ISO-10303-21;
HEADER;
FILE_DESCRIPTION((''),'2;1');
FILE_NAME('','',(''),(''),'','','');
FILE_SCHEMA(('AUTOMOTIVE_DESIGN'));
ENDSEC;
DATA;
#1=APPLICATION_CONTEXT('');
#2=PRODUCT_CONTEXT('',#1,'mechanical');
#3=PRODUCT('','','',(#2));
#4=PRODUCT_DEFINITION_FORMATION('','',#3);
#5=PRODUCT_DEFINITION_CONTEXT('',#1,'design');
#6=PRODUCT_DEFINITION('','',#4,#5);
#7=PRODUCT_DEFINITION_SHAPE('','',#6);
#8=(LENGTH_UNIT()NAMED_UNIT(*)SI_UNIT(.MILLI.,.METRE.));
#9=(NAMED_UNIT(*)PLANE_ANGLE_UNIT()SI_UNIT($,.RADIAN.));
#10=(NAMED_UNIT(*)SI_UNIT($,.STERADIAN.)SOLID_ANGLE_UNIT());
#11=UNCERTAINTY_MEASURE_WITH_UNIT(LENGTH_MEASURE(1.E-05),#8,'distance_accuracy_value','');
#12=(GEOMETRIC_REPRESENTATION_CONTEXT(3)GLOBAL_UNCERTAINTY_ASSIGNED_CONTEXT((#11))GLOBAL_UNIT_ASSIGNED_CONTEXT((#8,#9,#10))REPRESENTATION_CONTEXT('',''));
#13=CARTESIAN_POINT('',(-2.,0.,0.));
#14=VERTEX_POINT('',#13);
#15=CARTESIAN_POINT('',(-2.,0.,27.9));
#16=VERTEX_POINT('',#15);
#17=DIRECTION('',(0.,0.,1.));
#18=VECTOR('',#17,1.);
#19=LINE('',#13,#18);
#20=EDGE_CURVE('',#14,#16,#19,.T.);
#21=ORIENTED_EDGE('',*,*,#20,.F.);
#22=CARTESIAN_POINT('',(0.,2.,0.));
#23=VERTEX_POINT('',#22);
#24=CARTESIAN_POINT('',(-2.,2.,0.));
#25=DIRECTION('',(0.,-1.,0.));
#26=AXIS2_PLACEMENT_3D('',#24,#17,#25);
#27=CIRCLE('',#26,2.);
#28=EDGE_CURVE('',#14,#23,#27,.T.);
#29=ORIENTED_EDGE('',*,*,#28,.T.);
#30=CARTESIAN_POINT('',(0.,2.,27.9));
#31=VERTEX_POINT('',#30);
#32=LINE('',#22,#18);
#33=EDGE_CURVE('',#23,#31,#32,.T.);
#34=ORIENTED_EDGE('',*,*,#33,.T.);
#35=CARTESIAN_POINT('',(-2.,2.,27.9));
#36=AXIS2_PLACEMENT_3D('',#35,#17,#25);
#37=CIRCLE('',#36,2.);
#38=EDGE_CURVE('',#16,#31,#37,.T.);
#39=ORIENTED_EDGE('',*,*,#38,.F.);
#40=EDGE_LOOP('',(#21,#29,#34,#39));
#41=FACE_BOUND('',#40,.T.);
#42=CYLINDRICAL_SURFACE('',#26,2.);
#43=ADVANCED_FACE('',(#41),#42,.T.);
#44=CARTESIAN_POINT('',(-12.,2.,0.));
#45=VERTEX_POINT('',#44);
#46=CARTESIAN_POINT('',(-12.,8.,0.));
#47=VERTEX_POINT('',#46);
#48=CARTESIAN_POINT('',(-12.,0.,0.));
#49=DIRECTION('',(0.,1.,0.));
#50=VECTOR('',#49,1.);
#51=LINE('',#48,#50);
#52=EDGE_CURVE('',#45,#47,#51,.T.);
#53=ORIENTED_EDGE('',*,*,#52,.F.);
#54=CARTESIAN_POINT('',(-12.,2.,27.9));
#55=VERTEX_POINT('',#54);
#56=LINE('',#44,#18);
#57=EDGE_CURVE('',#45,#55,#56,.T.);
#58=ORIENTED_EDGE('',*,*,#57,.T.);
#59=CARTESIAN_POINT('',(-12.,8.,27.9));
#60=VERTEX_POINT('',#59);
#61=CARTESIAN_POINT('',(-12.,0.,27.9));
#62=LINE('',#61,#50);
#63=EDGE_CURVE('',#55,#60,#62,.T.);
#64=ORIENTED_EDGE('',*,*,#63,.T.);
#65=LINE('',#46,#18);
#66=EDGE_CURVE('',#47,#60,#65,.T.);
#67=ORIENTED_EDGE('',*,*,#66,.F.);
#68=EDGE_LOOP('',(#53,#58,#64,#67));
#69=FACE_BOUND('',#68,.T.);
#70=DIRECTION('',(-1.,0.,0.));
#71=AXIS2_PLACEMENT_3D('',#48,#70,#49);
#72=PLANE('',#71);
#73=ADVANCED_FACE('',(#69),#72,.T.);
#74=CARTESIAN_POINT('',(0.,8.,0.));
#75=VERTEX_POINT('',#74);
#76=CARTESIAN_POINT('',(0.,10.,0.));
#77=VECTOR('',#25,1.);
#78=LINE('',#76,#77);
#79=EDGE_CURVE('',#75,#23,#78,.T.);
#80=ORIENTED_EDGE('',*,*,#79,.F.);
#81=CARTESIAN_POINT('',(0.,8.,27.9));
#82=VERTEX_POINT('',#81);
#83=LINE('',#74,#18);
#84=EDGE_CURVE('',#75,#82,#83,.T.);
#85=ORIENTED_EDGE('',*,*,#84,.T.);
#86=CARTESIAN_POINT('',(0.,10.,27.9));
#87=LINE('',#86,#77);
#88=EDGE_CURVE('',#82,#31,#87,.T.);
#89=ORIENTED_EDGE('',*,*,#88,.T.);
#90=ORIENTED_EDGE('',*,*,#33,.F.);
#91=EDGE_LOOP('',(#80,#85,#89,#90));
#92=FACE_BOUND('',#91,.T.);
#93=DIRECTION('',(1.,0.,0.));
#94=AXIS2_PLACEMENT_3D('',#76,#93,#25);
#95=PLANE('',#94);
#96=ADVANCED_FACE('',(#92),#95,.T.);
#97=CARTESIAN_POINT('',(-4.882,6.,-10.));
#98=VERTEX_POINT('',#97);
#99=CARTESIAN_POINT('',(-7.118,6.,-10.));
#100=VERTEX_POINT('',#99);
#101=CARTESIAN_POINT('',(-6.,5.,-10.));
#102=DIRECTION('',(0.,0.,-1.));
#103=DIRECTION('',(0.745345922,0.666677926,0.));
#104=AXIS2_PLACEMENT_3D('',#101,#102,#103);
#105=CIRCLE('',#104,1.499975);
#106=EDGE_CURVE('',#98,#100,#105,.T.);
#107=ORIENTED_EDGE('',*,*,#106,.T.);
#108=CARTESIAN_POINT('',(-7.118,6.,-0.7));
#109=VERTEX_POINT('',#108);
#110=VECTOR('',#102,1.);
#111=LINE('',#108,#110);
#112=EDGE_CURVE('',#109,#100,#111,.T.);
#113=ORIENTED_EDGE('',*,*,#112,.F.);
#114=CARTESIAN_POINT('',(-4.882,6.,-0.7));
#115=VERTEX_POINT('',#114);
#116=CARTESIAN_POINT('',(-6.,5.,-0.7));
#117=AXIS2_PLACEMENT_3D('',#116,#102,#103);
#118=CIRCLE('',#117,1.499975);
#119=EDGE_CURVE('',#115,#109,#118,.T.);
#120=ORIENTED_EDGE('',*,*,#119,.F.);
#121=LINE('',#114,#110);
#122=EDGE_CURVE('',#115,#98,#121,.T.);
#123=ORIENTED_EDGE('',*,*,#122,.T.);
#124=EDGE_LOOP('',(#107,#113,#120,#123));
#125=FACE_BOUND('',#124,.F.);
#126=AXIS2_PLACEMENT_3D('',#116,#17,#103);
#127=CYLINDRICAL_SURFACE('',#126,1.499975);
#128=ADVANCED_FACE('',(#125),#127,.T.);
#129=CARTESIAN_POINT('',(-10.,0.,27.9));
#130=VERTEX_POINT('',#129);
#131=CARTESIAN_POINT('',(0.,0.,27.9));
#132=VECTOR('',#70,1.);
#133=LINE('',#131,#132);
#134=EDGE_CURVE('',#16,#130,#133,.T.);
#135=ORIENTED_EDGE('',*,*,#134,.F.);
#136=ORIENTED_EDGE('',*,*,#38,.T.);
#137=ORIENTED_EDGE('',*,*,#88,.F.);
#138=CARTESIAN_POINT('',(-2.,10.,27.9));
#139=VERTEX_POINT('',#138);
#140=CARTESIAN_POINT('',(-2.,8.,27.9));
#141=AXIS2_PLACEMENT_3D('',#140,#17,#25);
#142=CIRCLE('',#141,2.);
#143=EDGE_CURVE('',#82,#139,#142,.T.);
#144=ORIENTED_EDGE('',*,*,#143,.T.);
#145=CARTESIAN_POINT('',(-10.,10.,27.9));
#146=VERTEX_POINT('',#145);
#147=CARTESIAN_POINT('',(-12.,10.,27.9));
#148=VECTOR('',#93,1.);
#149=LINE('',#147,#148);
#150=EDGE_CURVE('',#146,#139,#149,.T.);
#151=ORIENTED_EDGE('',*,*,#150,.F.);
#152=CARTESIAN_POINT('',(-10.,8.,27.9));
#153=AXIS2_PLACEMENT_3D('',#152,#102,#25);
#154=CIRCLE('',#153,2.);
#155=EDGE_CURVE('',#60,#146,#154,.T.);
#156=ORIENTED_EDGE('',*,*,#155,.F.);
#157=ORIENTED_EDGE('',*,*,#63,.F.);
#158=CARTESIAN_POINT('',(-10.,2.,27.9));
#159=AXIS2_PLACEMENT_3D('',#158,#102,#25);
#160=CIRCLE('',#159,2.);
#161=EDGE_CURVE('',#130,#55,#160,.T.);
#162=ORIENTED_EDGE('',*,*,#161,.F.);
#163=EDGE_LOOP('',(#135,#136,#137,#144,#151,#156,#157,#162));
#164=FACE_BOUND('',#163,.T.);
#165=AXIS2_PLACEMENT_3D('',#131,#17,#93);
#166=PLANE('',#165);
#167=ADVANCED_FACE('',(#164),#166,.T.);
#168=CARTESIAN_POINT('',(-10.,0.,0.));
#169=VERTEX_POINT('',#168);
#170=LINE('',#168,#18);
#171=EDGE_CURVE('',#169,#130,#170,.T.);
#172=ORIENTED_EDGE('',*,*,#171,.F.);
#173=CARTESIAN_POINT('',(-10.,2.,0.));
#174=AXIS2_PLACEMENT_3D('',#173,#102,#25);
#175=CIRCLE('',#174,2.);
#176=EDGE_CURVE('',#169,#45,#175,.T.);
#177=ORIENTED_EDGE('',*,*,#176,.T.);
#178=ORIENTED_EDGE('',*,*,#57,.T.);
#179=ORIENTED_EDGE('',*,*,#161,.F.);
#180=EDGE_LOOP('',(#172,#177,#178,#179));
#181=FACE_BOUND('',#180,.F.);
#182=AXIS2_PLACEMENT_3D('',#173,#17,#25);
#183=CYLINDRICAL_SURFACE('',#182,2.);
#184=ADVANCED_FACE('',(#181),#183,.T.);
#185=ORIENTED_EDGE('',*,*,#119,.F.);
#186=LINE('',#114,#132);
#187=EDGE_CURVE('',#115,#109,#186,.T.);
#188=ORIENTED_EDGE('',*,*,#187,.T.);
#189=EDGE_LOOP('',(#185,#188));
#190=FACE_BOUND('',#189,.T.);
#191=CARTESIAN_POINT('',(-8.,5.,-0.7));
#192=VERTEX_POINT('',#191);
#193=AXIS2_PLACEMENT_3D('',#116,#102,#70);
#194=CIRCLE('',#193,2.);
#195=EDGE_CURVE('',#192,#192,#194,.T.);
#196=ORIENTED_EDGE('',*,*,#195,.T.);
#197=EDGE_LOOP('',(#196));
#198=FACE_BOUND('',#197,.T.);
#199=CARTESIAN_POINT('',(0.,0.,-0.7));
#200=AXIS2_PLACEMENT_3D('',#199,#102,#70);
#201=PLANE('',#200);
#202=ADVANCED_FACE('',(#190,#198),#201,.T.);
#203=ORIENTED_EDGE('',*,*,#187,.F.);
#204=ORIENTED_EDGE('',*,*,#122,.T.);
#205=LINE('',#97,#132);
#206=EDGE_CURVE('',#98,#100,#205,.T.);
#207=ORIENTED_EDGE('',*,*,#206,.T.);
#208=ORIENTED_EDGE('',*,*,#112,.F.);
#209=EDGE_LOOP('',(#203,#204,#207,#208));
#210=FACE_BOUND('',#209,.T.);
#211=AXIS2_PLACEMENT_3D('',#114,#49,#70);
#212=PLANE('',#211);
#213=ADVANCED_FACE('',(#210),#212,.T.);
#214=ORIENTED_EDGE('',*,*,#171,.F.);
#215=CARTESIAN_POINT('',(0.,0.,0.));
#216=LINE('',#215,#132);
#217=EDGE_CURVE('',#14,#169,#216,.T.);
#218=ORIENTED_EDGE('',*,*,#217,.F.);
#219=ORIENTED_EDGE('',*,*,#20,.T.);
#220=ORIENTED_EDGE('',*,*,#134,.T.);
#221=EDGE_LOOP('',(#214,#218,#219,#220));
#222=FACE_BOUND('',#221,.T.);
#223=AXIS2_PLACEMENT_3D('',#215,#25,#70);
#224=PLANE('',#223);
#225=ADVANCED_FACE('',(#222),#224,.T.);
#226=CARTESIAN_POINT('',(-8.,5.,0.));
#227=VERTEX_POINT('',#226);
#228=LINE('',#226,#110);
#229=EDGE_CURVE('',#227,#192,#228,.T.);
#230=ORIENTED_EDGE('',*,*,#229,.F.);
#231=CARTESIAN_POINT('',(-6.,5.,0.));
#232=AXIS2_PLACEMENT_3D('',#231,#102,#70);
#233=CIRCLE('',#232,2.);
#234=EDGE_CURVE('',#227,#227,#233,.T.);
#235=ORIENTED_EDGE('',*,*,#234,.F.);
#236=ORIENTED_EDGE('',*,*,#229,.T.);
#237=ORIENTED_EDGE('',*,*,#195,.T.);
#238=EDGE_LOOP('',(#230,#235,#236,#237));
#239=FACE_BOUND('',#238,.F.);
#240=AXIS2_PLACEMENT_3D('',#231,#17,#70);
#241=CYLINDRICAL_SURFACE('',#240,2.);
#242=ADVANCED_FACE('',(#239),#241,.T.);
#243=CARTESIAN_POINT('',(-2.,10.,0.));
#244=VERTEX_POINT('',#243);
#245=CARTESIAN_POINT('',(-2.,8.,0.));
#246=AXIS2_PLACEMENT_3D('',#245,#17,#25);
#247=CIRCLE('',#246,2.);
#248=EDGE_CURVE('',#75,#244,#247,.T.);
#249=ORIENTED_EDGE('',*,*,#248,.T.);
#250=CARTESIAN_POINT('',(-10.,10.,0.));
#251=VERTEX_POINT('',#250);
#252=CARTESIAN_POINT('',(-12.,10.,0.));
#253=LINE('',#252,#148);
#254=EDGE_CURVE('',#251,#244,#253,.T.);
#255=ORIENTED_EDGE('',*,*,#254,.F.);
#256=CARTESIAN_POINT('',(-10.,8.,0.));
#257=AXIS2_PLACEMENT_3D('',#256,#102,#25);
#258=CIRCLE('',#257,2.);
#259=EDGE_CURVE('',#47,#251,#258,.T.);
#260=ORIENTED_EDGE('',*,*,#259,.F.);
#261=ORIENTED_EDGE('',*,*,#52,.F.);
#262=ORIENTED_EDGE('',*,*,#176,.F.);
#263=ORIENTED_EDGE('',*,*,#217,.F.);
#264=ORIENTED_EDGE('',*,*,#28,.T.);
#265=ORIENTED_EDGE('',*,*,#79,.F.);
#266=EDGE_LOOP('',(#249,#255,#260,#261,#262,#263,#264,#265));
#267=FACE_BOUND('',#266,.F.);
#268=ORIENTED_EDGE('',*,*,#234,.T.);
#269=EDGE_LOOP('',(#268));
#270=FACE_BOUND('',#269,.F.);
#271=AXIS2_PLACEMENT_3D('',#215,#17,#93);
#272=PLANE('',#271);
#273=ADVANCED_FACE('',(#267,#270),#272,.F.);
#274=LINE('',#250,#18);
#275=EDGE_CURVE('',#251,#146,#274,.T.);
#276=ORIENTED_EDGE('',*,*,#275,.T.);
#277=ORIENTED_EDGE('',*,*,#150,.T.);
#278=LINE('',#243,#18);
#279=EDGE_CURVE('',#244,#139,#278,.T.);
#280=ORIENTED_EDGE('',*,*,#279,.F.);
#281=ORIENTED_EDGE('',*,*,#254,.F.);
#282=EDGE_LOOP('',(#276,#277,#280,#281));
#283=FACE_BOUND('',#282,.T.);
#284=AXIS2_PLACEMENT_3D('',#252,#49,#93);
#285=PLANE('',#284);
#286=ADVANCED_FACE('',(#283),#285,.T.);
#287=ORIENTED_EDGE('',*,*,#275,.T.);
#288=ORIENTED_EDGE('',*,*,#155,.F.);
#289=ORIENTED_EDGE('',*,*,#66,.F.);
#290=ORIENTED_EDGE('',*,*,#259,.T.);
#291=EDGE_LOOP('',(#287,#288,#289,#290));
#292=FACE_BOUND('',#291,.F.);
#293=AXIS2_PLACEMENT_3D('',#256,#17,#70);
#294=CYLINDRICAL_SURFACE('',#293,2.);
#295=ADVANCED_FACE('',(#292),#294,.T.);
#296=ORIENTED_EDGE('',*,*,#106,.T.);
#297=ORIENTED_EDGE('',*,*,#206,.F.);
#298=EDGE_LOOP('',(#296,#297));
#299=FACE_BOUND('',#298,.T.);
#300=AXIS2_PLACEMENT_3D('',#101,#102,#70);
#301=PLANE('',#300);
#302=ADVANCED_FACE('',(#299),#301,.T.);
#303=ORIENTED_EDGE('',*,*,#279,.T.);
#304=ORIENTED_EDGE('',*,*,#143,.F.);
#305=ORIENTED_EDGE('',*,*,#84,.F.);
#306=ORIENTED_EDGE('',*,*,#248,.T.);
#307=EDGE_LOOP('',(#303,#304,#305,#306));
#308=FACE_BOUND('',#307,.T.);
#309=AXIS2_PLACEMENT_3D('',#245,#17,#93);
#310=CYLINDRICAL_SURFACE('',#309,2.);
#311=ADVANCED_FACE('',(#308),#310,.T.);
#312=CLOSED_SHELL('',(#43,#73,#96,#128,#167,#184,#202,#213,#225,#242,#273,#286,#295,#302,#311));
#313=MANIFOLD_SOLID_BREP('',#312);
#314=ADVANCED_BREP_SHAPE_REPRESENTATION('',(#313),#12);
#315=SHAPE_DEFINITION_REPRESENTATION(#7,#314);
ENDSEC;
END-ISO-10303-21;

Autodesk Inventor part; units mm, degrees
ref_plane "YZ Plane" through (0, 0, 0) normal (1, 0, 0) x (0, 1, 0)
ref_plane "XZ Plane" through (0, 0, 0) normal (0, 1, 0) x (-1, 0, 0)
ref_plane "XY Plane" through (0, 0, 0) normal (0, 0, 1) x (1, 0, 0)
sketch "Sketch1" plane through (0, 0, 0) normal (0, 0, 1) x (1, 0, 0)
  line L0 (0, 0) -> (-12, 0)
  line L1 (-12, 0) -> (-12, 10)
  line L2 (-12, 10) -> (0, 10)
  line L3 (0, 10) -> (0, 0)
  dimension "d0" = 12
  dimension "d1" = 10
extrude "Extrusion1" add sketch "Sketch1" along normal blind 27.9
sketch "Sketch2" plane through (0, 0, 0) normal (0, 0, -1) x (-1, 0, 0)
  circle A0 centre (6, 5) radius 2
  line L0 (12, 0) -> (0, 0) projected
  line L1 (0, 0) -> (0, 10) projected
  point P0 (6, 0)
  dimension "d4" = 5
  dimension "d5" = 6
  dimension "d9" = 4
extrude "Extrusion2" add sketch "Sketch2" along normal blind 0.7
sketch "Sketch5" plane through (-6, 5, -0.7) normal (0, 0, -1) x (-1, 0, 0)
  circle A0 centre (0, 0) radius 2 projected
  arc A1 (-1.118, 1) -> (1.118, 1) centre (0, 0) ccw
  line L0 (-1.118, 1) -> (1.118, 1)
  point P0 (-6, -5)
  point P1 (0.4397, 1)
  dimension "d14" = 3
  dimension "d15" = 1
extrude "Extrusion4" add sketch "Sketch5" along normal blind 9.3 contours L0 A1
fillet "Fillet1" radius 2 4 edges at (-12, 10, 13.95) (0, 10, 13.95) (-12, 0, 13.95) (0, 0, 13.95)
properties part number "motor"
